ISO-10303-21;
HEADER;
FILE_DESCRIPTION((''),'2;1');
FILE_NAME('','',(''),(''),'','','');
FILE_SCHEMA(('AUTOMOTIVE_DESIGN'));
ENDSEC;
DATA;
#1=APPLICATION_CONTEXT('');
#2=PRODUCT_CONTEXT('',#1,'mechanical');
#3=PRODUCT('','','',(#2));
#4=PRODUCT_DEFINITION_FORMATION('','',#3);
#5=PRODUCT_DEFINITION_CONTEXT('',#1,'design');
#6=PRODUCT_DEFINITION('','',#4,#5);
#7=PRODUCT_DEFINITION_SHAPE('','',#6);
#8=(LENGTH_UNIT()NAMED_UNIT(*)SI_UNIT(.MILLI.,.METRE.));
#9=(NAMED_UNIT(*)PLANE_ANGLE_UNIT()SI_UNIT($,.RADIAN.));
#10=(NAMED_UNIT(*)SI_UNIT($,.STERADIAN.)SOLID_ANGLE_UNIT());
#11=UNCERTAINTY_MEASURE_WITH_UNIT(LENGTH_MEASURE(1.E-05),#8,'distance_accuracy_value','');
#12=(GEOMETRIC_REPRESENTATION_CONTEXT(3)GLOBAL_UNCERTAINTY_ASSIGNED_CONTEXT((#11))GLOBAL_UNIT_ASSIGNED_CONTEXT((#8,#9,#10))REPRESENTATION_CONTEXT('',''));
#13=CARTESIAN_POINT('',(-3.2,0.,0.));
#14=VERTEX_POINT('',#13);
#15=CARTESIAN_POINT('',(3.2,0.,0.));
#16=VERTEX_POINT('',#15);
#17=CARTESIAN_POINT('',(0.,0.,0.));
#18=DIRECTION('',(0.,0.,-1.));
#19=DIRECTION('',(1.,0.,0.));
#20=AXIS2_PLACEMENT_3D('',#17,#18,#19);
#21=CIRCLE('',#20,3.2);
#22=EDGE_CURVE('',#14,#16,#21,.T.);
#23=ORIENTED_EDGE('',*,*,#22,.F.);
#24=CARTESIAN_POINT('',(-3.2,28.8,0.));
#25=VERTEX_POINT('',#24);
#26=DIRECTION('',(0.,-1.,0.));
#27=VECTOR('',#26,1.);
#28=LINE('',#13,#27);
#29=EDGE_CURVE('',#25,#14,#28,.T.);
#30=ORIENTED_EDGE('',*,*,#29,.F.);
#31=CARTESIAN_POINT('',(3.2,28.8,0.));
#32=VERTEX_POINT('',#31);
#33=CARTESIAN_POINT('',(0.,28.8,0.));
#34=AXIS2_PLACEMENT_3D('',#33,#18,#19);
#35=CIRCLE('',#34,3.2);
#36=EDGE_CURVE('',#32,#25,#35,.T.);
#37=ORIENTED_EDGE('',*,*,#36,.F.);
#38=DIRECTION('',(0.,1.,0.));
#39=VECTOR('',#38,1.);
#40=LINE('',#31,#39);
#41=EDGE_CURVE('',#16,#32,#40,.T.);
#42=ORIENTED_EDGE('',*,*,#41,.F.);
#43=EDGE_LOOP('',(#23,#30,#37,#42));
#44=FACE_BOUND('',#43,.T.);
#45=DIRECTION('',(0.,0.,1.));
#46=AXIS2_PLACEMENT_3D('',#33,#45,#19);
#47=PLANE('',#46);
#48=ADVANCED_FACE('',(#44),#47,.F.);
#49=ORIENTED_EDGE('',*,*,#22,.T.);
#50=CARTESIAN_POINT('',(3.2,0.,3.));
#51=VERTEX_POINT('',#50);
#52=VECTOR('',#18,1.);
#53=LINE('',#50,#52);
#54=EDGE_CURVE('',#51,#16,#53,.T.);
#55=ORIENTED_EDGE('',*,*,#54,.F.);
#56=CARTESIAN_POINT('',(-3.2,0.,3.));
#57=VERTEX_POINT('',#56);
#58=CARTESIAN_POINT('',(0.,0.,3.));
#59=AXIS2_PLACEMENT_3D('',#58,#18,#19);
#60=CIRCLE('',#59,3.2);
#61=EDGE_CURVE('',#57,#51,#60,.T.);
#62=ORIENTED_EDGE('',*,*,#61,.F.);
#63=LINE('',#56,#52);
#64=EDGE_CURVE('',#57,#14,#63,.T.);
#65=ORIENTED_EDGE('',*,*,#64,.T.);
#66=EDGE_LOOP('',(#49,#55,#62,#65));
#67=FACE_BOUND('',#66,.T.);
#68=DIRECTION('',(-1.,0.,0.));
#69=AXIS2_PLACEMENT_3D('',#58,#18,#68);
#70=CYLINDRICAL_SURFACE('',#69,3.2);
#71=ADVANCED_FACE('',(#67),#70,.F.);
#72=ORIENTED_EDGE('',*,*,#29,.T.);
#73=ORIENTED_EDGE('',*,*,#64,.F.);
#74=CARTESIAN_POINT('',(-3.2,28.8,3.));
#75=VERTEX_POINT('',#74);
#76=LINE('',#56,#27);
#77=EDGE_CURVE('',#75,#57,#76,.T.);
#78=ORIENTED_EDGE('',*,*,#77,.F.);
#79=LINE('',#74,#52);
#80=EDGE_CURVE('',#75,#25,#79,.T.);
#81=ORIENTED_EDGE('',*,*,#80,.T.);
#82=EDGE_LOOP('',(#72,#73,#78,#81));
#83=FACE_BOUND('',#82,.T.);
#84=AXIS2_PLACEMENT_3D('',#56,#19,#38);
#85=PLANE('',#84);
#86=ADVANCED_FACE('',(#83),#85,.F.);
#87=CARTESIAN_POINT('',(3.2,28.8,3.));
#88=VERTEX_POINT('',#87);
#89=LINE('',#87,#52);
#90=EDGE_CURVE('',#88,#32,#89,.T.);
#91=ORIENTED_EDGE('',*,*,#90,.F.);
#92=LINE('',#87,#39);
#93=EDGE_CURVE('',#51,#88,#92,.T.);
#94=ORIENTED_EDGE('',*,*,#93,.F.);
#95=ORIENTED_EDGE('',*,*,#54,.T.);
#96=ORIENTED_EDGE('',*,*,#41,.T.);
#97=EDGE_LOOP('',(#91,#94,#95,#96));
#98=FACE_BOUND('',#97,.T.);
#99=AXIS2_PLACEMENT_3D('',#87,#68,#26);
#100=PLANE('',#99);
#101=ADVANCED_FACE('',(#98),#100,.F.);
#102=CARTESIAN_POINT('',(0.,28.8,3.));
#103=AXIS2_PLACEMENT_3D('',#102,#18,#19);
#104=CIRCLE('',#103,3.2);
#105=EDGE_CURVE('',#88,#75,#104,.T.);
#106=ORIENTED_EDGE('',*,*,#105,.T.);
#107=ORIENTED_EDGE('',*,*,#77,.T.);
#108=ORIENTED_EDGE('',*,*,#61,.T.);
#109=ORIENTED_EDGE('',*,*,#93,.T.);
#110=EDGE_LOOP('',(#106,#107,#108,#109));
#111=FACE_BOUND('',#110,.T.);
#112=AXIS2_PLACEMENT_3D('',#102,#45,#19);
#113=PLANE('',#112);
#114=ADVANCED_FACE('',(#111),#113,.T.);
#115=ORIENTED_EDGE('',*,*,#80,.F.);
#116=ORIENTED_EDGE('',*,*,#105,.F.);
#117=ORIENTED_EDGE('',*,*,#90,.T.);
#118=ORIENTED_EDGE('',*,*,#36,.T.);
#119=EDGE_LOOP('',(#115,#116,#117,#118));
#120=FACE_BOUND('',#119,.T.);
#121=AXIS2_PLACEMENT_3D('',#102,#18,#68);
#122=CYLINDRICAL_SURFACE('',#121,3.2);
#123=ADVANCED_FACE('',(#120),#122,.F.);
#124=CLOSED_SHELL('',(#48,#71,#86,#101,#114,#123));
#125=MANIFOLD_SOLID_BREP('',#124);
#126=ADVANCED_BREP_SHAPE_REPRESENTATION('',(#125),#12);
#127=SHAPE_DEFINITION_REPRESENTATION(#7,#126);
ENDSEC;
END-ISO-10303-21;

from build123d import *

# Parameters (mm, degrees)
BOSS_EXTRUDE3_DEPTH = 3


with BuildPart() as part:
    # Sketch1 → Boss-Extrude3 (new body)
    with BuildSketch(Plane.XY):
        with BuildLine():
            Line((-3.2, 0), (-3.2, 28.8))
            ThreePointArc((-3.2, 28.8), (0, 25.6), (3.2, 28.8))
            Line((3.2, 28.8), (3.2, 0))
            ThreePointArc((3.2, 0), (0, 3.2), (-3.2, 0))
        make_face()
    extrude(amount=BOSS_EXTRUDE3_DEPTH)


solid = part.part
